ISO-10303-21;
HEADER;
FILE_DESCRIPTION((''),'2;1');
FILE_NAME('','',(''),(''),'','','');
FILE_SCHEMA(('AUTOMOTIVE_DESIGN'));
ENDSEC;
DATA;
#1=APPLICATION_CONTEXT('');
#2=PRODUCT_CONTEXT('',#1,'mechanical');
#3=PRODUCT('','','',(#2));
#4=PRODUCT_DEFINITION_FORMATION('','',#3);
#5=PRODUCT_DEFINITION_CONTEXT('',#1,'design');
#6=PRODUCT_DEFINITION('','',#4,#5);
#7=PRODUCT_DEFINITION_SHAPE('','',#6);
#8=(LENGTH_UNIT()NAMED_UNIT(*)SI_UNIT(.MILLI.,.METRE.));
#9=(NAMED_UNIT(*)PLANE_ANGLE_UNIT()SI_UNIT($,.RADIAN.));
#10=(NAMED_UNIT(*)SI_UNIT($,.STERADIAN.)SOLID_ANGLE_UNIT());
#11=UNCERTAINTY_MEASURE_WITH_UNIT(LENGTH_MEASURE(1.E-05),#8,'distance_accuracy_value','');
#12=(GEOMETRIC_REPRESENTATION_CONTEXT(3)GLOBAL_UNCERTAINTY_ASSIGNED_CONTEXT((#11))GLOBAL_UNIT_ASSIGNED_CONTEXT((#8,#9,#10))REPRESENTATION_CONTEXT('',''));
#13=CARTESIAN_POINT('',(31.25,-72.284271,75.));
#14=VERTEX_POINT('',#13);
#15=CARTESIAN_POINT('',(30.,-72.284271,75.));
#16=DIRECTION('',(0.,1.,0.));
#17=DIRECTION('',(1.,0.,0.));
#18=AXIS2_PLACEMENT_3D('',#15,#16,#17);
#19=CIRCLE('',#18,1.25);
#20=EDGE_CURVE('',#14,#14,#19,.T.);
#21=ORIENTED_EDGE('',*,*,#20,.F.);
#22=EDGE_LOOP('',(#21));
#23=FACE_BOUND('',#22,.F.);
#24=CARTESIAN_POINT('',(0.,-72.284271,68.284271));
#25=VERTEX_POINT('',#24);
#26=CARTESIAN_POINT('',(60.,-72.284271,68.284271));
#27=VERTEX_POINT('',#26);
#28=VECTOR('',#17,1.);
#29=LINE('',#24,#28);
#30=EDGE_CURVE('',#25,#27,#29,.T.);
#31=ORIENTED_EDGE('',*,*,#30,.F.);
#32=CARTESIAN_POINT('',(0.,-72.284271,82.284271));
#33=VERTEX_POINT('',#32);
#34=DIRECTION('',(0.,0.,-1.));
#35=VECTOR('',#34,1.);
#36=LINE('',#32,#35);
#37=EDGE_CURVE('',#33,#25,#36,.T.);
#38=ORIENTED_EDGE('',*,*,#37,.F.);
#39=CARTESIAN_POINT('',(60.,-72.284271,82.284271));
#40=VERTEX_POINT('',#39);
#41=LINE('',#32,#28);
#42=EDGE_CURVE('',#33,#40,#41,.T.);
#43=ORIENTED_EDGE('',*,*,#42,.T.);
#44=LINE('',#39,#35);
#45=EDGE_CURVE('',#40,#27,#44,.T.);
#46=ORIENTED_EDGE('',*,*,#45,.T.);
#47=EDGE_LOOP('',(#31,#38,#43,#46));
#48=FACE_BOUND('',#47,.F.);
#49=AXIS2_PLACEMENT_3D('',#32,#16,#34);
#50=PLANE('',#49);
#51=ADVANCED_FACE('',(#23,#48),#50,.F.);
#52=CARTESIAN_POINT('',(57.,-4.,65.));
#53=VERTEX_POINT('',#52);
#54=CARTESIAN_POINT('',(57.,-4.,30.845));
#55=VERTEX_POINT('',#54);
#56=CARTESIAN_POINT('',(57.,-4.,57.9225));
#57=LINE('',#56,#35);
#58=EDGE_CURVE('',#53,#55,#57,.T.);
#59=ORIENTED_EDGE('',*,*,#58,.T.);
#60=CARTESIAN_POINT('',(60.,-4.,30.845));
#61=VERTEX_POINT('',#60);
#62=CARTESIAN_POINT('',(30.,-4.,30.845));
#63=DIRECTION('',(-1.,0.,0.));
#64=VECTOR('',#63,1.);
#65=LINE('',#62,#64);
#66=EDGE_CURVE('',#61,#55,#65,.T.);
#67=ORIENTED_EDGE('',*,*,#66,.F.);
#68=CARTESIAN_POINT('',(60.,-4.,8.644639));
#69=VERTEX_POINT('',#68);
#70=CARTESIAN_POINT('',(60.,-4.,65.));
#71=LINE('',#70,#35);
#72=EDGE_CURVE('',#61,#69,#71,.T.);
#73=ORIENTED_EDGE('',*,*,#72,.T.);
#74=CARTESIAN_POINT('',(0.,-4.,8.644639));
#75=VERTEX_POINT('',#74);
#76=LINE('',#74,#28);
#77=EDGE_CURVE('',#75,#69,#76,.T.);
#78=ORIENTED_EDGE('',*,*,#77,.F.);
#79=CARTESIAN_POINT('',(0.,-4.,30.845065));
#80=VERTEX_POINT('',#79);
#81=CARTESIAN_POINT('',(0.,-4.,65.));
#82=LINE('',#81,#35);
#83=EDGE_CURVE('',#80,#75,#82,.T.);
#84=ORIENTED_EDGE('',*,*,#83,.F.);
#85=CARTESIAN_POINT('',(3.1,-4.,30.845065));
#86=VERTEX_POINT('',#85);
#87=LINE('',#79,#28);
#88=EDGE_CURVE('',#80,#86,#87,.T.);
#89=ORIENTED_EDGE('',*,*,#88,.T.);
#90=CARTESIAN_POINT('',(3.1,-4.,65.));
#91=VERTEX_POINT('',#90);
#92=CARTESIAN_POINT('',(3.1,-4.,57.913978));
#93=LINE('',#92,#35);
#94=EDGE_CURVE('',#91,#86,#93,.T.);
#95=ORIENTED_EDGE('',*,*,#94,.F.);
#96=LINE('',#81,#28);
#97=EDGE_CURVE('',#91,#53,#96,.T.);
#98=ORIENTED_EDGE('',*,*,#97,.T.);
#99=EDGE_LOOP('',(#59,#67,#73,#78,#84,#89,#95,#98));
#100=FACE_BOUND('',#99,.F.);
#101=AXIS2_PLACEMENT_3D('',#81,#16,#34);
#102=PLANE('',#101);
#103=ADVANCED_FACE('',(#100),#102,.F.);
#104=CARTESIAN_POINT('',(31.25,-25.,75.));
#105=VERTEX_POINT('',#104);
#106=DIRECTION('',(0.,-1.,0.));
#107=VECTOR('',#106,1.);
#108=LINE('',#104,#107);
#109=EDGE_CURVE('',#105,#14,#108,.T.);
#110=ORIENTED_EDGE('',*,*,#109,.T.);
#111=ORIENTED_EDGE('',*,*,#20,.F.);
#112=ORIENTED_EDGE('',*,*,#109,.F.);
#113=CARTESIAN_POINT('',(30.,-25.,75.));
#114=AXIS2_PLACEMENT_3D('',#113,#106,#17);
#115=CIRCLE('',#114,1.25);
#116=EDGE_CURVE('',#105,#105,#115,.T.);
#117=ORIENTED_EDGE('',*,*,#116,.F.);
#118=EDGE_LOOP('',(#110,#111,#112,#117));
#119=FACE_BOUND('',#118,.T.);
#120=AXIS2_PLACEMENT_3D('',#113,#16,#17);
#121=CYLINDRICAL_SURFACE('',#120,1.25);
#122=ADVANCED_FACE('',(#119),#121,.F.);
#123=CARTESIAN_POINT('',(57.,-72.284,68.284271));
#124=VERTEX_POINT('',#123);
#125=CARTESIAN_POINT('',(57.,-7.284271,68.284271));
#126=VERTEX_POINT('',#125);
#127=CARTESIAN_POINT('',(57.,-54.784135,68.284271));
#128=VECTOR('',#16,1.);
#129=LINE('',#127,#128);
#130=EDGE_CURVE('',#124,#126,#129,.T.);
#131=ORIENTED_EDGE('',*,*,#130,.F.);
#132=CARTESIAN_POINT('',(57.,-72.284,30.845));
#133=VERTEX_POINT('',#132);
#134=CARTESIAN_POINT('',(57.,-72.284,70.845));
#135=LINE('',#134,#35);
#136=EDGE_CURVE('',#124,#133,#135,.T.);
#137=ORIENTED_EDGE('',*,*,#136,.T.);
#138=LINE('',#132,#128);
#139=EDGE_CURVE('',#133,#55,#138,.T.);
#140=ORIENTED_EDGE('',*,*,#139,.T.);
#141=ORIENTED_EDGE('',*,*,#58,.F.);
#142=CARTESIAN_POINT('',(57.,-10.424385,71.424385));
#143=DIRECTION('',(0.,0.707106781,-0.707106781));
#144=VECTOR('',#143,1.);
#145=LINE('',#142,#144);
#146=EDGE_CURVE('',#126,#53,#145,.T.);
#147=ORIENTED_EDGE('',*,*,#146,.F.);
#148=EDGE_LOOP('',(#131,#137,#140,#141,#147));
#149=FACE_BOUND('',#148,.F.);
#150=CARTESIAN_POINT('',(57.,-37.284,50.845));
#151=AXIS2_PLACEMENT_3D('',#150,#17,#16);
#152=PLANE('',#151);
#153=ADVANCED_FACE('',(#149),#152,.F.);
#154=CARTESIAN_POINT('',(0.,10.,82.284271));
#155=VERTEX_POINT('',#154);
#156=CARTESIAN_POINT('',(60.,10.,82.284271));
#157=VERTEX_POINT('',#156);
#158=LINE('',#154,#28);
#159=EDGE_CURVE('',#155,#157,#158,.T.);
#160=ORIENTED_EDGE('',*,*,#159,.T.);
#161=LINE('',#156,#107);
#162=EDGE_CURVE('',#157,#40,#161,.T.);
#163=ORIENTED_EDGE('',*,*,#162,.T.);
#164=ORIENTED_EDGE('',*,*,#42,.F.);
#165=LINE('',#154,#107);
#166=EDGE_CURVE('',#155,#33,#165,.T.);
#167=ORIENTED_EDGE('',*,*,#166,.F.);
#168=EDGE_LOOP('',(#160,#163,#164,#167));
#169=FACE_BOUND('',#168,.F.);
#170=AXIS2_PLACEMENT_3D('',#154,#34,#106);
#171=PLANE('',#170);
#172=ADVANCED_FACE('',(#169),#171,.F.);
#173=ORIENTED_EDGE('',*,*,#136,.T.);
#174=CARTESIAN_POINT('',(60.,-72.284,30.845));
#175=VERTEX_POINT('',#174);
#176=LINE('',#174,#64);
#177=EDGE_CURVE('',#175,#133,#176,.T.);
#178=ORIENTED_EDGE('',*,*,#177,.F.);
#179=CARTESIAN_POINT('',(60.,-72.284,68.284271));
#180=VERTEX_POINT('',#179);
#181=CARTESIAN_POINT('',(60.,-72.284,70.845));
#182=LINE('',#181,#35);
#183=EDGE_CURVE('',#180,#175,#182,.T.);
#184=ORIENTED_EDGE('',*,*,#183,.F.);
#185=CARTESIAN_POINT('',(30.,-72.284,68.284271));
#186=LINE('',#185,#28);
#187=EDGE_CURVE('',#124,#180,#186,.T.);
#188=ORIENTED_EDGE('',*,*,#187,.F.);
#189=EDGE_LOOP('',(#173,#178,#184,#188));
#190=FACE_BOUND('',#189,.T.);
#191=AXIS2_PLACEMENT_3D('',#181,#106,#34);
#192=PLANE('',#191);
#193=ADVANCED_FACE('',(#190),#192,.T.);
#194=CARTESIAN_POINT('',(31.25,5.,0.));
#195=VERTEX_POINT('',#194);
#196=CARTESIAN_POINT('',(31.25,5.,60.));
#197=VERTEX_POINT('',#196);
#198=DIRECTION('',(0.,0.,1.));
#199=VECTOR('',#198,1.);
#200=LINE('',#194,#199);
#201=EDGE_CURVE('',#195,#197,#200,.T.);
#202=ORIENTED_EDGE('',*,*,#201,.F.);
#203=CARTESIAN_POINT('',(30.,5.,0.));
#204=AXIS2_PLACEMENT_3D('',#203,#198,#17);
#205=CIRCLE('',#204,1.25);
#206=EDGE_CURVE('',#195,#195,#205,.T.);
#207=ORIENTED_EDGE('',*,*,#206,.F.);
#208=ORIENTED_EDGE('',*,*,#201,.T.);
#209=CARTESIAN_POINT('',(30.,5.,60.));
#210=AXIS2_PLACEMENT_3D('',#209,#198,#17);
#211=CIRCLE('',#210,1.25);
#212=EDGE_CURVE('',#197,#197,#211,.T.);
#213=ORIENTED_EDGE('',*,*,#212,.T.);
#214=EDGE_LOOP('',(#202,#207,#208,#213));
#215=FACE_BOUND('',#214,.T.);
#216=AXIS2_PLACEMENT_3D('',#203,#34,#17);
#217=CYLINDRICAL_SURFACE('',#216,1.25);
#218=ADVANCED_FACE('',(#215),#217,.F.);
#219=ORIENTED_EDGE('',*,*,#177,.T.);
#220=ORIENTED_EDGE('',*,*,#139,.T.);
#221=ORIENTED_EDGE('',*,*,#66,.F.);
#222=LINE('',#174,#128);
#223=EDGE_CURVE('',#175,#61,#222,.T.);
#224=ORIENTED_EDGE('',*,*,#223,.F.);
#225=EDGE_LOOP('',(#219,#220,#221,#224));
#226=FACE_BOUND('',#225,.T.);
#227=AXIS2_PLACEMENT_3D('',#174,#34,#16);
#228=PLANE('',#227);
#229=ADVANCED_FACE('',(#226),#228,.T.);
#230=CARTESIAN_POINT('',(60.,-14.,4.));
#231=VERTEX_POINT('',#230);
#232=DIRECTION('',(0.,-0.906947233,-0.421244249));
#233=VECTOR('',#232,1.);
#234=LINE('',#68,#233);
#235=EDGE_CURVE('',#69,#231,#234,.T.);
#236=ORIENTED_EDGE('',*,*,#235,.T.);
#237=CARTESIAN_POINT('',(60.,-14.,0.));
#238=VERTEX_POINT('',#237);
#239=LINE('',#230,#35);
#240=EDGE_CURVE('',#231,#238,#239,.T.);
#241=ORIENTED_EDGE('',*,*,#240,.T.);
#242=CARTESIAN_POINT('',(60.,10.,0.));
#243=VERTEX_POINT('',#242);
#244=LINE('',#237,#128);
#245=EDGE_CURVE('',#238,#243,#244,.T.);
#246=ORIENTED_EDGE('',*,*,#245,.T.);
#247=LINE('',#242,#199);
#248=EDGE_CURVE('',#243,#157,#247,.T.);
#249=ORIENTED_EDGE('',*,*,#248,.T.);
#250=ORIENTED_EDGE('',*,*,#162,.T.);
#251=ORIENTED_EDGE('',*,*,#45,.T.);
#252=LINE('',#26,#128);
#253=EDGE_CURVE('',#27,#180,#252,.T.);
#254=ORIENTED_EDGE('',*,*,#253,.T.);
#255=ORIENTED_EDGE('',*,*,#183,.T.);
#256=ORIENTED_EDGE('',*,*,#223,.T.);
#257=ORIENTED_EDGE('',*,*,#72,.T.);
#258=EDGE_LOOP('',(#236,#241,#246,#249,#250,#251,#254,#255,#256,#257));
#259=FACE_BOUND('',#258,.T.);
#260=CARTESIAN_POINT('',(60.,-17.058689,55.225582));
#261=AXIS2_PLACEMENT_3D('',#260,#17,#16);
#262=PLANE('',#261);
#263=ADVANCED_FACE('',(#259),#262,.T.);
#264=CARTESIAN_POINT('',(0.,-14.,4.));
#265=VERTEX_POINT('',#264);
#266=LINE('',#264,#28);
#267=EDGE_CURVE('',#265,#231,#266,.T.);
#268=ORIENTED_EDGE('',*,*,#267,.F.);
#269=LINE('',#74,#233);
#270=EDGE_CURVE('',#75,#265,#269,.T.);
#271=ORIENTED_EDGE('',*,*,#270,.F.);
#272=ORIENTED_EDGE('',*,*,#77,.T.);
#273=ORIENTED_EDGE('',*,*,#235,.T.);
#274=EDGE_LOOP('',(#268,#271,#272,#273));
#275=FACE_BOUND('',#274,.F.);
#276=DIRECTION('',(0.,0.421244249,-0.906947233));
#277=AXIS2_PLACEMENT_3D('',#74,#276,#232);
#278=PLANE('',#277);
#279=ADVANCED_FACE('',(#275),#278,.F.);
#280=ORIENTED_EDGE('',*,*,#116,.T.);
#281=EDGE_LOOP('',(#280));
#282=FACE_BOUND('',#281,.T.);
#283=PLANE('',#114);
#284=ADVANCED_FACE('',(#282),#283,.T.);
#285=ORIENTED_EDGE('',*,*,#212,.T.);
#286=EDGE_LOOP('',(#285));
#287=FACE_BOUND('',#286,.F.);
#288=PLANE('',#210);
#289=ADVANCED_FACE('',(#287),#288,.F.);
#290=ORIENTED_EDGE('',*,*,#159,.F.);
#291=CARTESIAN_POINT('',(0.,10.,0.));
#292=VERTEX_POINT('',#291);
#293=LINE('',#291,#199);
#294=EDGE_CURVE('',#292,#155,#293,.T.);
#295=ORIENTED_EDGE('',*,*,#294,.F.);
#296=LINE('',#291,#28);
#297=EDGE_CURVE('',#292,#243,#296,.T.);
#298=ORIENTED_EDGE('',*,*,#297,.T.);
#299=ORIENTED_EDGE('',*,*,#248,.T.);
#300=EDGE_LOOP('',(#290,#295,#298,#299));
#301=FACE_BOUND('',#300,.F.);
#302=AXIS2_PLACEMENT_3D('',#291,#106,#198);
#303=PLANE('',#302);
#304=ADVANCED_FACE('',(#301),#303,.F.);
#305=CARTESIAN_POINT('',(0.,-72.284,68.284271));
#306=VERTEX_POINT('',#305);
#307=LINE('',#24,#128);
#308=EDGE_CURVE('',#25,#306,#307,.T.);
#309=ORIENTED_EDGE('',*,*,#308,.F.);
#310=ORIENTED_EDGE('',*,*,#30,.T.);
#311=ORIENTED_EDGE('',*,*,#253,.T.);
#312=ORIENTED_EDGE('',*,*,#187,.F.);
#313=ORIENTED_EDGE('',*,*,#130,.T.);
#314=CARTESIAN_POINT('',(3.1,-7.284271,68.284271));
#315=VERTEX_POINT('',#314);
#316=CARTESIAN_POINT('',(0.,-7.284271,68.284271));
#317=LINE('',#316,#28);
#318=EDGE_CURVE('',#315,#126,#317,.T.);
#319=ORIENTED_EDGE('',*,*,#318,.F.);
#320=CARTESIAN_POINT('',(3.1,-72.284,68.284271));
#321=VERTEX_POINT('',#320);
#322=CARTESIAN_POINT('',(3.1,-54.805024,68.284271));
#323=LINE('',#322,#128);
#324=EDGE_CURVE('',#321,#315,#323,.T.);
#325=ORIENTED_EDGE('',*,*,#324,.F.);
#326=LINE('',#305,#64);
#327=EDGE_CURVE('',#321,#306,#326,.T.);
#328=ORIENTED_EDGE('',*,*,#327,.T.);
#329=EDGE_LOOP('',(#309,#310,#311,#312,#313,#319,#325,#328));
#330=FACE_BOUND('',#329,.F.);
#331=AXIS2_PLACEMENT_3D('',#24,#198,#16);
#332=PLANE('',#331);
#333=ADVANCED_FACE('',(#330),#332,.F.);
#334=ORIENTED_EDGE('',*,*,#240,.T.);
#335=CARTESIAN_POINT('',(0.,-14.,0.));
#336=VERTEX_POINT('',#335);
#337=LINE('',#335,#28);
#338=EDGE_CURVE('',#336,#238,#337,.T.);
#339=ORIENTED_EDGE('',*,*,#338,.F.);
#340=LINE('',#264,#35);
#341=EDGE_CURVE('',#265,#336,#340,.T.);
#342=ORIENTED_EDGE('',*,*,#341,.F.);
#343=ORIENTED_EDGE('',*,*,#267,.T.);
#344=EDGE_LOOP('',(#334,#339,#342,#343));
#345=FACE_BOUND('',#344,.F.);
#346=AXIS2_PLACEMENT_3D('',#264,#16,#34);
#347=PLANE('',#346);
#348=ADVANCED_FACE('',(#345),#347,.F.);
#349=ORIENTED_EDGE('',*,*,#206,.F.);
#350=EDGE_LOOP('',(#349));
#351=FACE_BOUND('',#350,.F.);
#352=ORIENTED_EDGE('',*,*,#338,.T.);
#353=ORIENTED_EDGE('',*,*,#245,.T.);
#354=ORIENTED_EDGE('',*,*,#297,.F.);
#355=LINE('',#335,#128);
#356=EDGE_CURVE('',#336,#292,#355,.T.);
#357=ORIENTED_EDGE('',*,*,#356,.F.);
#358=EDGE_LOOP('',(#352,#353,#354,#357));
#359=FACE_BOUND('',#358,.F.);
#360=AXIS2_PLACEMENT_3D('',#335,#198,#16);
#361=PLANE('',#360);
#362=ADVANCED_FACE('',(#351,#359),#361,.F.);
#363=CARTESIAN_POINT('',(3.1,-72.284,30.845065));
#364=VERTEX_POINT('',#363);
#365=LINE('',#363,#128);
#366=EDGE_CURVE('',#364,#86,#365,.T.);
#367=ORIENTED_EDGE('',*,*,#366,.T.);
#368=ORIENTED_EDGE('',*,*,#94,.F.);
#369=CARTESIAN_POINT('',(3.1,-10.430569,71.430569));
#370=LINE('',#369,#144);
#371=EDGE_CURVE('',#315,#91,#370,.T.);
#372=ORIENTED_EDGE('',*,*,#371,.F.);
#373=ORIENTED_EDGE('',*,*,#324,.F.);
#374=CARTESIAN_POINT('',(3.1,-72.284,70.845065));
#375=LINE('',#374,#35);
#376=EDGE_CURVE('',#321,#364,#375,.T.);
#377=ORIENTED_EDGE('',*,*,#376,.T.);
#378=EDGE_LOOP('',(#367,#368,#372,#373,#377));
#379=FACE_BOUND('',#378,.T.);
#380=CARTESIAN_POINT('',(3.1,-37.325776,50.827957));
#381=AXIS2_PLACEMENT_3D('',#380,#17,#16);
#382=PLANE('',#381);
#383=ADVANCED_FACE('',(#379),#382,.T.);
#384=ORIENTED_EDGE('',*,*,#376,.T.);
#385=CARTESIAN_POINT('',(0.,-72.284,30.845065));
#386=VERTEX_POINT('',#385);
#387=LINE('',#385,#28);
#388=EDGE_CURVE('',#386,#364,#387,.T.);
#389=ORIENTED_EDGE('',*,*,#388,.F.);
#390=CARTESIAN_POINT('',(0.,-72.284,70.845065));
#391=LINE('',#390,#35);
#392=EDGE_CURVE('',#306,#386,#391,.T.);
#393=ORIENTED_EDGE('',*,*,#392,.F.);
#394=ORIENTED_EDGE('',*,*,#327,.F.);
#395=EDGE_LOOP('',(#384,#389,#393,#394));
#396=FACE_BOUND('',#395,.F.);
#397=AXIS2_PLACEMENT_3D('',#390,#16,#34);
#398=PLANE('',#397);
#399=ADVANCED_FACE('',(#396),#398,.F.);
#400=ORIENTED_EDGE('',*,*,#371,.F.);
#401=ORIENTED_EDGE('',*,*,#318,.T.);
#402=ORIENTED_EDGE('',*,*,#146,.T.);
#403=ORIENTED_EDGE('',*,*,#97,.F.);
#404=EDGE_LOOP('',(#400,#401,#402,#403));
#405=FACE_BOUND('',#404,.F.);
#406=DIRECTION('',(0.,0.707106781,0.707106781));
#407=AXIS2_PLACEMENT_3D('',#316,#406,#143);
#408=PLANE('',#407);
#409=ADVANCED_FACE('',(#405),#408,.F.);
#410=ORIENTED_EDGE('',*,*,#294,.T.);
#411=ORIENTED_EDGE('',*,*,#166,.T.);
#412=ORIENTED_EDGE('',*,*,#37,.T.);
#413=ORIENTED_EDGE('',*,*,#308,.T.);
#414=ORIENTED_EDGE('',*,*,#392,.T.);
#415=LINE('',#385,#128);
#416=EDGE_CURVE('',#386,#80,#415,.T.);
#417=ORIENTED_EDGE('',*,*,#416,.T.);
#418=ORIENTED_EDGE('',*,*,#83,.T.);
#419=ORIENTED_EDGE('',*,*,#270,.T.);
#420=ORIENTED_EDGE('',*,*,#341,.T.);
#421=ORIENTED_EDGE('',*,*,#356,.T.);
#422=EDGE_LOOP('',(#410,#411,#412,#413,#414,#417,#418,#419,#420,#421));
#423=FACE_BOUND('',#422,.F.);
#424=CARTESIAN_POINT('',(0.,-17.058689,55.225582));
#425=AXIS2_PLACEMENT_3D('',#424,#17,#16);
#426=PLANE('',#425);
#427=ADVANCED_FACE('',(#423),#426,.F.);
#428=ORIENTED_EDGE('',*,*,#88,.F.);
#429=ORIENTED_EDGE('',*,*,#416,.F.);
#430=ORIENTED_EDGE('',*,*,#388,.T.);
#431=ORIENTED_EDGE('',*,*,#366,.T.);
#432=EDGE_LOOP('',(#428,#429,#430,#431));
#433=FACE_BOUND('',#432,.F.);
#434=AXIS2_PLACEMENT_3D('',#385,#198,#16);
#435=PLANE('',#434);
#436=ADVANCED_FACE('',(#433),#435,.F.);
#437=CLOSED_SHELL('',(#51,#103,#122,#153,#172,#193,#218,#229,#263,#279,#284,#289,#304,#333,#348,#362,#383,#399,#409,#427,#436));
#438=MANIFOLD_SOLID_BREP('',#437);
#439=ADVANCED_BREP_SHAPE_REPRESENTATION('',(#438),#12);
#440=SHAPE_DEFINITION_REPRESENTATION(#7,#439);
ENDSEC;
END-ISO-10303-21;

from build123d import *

# Parameters (mm, degrees)
F1_DEPTH  = 60
F3_DEPTH  = 3.1
F6_DEPTH  = 3
F8_R      = 1.25
F9_DEPTH  = 100
F10_R     = 1.25
F11_DEPTH = 60


with BuildPart() as f1:
    # F0 (on Right) → F1 (new body)
    with BuildSketch(Plane.YZ):
        Polygon((-4, 0), (0, 0), (10, 0), (10, 4), (10, 82.284271), (-68.284271, 82.284271), (-72.284271, 82.284271), (-72.284271, 72.284271), (-72.284271, 68.284271), (-32.284271, 68.284271), (-7.284271, 68.284271), (-4, 65), (-4, 40), (-4, 8.644639), align=None)
        Polygon((-14, 0), (-4, 0), (-4, 8.644639), (-14, 4), align=None)
    extrude(amount=F1_DEPTH)

    # F2 (on Right) → F3 (join)
    with BuildSketch(Plane.YZ):
        Polygon((-30.521803, 70.845065), (-72.284, 70.845065), (-72.284, 30.845065), (-2.284, 30.845065), (-2.284, 42.845065), (-2.472219, 70.845065), align=None)
    extrude(amount=F3_DEPTH)

    # F5 (on offset) → F6 (join)
    with BuildSketch(Plane.YZ.offset(60)):
        Polygon((-30.521803, 70.845), (-72.284, 70.845), (-72.284, 30.845), (-2.284, 30.845), (-2.284, 42.845), (-2.284, 70.845), align=None)
    extrude(amount=-F6_DEPTH)

    # F8 (on offset) → F9 (cut)
    with BuildSketch(Plane.XZ.offset(25)):
        with Locations((30, 75)):
            Circle(F8_R)
    extrude(amount=F9_DEPTH, mode=Mode.SUBTRACT)

    # F10 (on Top) → F11 (cut)
    with BuildSketch(Plane.XY):
        with Locations((30, 5)):
            Circle(F10_R)
    extrude(amount=F11_DEPTH, mode=Mode.SUBTRACT)


solid = f1.part
